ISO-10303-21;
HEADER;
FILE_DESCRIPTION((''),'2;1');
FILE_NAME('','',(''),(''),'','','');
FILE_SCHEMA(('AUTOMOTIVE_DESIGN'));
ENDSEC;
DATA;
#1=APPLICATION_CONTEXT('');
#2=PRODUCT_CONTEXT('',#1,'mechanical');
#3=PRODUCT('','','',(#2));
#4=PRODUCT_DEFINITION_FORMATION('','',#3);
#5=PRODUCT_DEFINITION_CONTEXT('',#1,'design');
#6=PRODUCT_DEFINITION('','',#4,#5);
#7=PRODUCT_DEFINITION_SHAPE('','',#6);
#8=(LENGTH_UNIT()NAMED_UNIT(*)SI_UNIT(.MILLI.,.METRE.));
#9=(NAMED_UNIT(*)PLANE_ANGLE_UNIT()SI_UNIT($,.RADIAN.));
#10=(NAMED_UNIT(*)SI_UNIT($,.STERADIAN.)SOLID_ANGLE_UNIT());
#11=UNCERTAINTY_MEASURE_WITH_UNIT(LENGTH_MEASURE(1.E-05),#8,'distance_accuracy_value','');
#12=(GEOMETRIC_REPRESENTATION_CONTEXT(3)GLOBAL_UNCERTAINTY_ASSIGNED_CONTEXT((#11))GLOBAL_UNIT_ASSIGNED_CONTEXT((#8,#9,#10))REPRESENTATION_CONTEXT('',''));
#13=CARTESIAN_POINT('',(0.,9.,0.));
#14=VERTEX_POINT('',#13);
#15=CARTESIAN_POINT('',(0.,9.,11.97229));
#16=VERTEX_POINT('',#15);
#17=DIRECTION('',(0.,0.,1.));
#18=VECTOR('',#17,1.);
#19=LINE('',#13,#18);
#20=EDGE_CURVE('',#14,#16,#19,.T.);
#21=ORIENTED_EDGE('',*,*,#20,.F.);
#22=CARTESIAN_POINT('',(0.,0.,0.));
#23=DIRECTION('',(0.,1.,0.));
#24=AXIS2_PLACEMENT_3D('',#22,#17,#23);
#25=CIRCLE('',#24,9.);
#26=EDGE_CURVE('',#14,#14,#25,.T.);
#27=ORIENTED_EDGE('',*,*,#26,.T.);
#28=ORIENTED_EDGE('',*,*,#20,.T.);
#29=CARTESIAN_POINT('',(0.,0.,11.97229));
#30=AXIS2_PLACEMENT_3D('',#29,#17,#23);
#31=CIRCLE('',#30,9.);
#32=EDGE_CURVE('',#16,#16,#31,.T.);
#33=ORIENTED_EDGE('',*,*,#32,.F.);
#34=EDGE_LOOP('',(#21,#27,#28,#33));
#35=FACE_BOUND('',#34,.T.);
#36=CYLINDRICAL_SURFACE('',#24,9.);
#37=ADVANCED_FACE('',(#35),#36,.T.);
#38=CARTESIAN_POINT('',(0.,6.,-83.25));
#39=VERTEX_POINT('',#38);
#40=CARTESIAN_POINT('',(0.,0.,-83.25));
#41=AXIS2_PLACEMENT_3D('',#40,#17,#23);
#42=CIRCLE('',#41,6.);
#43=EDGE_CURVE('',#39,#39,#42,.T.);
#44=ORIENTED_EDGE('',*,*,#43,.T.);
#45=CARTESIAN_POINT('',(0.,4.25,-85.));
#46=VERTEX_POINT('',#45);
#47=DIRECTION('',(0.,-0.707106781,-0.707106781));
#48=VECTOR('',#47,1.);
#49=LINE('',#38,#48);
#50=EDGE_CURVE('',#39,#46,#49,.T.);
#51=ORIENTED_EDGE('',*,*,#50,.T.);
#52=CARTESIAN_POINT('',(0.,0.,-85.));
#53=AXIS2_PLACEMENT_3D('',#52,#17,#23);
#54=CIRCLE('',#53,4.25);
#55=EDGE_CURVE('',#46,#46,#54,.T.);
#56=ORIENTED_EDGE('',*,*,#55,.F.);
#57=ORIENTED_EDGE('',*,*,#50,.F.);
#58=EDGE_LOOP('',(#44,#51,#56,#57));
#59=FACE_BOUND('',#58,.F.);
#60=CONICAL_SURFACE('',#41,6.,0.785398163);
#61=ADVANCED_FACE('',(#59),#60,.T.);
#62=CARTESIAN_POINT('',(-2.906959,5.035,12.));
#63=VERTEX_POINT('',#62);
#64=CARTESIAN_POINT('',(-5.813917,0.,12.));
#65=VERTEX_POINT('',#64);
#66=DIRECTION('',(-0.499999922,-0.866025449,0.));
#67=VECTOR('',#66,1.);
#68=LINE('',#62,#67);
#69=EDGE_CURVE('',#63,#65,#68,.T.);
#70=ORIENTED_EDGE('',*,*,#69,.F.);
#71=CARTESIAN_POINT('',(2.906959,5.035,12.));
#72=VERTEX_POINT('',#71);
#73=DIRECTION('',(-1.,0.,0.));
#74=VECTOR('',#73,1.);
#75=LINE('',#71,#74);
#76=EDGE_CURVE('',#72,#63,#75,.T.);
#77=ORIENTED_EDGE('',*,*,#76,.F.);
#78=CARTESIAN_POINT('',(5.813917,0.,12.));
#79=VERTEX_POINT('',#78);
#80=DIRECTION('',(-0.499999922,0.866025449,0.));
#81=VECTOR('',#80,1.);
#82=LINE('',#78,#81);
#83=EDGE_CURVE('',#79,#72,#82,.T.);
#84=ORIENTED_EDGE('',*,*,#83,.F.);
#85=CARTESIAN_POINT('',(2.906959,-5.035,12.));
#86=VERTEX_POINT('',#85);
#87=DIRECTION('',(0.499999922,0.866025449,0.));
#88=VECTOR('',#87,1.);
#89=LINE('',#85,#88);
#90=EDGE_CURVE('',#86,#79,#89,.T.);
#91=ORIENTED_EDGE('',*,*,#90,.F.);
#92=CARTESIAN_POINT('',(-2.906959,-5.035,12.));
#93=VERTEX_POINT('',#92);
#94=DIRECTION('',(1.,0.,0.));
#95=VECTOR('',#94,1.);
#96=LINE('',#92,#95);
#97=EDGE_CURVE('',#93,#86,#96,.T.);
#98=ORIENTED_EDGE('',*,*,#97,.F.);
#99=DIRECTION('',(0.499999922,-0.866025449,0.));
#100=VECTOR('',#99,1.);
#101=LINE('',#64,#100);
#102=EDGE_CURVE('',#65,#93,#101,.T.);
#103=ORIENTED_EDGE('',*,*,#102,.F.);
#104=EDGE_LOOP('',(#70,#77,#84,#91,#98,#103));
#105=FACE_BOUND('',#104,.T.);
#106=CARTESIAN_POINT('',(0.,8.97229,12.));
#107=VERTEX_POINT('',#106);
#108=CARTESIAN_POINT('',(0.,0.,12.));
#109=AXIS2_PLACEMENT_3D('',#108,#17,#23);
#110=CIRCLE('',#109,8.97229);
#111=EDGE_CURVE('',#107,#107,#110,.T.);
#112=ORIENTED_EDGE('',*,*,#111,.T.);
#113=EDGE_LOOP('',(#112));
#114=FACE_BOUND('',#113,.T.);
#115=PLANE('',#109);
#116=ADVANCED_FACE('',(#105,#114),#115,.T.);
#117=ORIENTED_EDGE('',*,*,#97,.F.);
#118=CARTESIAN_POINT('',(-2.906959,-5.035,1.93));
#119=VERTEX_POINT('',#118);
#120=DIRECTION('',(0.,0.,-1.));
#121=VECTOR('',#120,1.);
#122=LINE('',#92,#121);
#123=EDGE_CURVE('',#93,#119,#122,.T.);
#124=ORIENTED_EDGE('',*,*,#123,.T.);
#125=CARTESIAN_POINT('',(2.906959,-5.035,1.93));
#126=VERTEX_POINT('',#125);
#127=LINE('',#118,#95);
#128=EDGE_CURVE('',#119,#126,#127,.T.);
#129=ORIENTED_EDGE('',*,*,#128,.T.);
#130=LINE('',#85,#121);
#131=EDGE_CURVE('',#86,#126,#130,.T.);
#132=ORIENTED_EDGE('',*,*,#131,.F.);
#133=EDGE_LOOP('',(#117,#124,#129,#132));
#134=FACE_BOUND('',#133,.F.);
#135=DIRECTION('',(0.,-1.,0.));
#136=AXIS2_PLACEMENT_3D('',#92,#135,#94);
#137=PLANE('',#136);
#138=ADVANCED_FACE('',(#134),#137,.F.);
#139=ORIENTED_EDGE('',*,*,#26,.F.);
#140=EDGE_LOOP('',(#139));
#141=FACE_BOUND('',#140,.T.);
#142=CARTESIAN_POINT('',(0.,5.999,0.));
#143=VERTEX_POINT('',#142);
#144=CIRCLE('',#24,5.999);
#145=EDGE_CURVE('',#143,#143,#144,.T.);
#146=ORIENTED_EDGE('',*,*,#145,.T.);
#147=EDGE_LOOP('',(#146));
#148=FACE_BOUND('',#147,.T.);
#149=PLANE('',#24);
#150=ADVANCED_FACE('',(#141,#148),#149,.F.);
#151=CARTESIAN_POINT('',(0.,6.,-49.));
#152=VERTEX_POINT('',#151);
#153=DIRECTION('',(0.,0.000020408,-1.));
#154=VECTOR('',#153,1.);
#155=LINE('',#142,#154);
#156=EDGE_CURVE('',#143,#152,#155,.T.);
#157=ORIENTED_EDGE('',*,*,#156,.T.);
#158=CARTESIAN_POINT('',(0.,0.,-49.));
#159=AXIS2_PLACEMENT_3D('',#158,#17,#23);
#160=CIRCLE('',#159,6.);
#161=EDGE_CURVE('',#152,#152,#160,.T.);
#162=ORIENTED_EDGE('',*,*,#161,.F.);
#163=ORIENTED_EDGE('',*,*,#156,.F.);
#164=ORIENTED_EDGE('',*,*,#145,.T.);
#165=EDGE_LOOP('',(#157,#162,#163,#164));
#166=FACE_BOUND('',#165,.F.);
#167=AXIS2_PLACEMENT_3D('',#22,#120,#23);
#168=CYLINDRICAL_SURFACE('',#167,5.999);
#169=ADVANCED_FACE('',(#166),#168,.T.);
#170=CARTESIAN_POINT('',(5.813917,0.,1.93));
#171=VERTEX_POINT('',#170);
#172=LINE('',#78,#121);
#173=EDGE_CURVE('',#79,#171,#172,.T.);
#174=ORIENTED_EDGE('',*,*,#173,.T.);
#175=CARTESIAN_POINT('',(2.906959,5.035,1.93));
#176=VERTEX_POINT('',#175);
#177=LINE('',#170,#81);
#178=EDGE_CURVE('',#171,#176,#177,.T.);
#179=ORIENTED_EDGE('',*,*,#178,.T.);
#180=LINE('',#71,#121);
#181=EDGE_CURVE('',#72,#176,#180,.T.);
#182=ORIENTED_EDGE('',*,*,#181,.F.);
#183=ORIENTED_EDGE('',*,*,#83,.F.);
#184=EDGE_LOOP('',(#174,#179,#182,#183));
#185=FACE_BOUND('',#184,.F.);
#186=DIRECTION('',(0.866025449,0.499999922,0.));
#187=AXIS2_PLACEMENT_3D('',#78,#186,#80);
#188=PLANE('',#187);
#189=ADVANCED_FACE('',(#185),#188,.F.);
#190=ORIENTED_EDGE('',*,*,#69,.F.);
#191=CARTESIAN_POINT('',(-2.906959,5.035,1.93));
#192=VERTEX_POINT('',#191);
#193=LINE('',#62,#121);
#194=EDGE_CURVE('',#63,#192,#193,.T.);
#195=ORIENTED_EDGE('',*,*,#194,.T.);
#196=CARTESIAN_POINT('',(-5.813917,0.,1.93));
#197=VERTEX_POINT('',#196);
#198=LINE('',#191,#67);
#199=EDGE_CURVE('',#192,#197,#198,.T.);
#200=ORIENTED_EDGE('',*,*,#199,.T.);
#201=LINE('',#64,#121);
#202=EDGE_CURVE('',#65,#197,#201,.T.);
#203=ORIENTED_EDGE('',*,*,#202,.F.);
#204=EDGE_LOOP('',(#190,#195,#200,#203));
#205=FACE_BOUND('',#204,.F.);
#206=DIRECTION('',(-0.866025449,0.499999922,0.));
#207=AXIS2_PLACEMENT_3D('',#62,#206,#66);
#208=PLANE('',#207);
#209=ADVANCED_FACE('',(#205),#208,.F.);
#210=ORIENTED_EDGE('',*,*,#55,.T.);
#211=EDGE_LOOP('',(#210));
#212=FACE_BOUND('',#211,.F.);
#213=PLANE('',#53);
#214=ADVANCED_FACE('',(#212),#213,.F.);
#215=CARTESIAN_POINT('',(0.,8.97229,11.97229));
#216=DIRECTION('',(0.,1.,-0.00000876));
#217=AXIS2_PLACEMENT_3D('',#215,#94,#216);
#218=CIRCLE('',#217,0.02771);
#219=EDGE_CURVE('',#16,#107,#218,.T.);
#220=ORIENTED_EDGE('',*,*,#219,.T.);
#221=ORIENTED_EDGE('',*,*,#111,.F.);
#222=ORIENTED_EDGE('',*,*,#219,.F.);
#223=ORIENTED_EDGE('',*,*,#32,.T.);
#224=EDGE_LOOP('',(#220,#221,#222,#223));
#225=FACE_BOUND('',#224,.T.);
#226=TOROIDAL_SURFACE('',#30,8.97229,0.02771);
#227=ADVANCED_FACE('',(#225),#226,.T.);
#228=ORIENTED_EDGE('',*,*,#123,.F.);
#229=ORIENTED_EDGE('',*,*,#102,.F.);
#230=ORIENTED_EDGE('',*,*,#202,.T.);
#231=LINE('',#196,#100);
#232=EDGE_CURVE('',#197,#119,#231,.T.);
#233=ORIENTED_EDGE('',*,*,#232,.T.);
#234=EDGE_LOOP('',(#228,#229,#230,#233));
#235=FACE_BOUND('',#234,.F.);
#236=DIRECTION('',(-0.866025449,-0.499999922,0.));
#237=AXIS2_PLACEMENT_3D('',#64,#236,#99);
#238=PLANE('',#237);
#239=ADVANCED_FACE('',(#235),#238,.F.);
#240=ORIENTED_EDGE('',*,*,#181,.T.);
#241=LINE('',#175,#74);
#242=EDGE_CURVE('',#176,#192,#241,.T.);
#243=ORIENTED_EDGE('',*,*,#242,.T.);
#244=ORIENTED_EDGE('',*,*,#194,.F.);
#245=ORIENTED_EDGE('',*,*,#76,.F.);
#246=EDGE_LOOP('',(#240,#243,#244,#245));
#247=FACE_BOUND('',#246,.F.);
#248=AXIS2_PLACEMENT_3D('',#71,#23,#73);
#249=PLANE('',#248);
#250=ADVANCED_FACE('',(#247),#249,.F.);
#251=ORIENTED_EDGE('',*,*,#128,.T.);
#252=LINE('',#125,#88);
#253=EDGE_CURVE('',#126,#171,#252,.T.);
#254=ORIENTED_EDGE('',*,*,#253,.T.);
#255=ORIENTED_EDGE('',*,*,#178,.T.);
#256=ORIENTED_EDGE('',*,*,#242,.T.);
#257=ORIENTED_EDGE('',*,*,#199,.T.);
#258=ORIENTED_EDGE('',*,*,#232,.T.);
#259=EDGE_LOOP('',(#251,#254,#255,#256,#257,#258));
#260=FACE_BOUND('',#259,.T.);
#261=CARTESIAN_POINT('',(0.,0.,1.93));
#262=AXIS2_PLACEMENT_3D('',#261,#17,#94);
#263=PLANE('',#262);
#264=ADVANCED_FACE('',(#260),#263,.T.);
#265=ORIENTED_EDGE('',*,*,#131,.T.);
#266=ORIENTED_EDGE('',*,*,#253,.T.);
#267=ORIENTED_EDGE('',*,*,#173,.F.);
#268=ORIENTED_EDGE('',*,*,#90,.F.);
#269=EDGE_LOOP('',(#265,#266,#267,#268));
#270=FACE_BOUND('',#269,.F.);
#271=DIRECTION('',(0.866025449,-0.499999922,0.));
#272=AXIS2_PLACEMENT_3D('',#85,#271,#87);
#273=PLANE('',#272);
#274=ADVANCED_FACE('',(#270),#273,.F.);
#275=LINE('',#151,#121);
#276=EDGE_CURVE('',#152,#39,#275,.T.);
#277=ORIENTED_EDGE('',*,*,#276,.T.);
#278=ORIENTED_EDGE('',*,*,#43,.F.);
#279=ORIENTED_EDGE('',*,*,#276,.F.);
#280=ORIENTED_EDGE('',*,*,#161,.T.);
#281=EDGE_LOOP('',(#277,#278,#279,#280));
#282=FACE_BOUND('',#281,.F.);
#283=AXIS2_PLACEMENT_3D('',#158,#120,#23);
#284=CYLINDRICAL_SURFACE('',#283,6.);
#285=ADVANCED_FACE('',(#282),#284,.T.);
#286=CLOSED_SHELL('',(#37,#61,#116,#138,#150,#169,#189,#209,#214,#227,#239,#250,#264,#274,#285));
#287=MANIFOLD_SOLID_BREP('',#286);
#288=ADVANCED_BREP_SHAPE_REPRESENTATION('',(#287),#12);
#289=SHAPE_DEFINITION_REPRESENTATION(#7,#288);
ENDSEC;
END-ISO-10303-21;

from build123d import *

# Parameters (mm, degrees)
POCKET_DEPTH = 10.07


with BuildPart() as part:
    # Sketch → Revolve (revolve)
    with BuildSketch(Plane.YZ):
        with BuildLine():
            Line((5.999, 0), (9, 0))
            Line((9, 0), (9, 11.97229))
            ThreePointArc((9, 11.97229), (8.991884, 11.991884), (8.97229, 12))
            Line((8.97229, 12), (0, 12))
            Line((0, -85), (0, 12))
            Line((4.25, -85), (0, -85))
            Line((6, -83.25), (4.25, -85))
            Line((6, -49), (6, -83.25))
            Line((5.999, 0), (6, -49))
        make_face()
    revolve(axis=Axis((0, 0, 0), (0, 0, 1)))

    # Sketch001 → Pocket (cut)
    with BuildSketch(Plane.XY.offset(12)):
        Polygon((5.813917, 0), (2.906959, 5.035), (-2.906959, 5.035), (-5.813917, 0), (-2.906959, -5.035), (2.906959, -5.035), align=None)
    extrude(amount=-POCKET_DEPTH, mode=Mode.SUBTRACT)


solid = part.part
